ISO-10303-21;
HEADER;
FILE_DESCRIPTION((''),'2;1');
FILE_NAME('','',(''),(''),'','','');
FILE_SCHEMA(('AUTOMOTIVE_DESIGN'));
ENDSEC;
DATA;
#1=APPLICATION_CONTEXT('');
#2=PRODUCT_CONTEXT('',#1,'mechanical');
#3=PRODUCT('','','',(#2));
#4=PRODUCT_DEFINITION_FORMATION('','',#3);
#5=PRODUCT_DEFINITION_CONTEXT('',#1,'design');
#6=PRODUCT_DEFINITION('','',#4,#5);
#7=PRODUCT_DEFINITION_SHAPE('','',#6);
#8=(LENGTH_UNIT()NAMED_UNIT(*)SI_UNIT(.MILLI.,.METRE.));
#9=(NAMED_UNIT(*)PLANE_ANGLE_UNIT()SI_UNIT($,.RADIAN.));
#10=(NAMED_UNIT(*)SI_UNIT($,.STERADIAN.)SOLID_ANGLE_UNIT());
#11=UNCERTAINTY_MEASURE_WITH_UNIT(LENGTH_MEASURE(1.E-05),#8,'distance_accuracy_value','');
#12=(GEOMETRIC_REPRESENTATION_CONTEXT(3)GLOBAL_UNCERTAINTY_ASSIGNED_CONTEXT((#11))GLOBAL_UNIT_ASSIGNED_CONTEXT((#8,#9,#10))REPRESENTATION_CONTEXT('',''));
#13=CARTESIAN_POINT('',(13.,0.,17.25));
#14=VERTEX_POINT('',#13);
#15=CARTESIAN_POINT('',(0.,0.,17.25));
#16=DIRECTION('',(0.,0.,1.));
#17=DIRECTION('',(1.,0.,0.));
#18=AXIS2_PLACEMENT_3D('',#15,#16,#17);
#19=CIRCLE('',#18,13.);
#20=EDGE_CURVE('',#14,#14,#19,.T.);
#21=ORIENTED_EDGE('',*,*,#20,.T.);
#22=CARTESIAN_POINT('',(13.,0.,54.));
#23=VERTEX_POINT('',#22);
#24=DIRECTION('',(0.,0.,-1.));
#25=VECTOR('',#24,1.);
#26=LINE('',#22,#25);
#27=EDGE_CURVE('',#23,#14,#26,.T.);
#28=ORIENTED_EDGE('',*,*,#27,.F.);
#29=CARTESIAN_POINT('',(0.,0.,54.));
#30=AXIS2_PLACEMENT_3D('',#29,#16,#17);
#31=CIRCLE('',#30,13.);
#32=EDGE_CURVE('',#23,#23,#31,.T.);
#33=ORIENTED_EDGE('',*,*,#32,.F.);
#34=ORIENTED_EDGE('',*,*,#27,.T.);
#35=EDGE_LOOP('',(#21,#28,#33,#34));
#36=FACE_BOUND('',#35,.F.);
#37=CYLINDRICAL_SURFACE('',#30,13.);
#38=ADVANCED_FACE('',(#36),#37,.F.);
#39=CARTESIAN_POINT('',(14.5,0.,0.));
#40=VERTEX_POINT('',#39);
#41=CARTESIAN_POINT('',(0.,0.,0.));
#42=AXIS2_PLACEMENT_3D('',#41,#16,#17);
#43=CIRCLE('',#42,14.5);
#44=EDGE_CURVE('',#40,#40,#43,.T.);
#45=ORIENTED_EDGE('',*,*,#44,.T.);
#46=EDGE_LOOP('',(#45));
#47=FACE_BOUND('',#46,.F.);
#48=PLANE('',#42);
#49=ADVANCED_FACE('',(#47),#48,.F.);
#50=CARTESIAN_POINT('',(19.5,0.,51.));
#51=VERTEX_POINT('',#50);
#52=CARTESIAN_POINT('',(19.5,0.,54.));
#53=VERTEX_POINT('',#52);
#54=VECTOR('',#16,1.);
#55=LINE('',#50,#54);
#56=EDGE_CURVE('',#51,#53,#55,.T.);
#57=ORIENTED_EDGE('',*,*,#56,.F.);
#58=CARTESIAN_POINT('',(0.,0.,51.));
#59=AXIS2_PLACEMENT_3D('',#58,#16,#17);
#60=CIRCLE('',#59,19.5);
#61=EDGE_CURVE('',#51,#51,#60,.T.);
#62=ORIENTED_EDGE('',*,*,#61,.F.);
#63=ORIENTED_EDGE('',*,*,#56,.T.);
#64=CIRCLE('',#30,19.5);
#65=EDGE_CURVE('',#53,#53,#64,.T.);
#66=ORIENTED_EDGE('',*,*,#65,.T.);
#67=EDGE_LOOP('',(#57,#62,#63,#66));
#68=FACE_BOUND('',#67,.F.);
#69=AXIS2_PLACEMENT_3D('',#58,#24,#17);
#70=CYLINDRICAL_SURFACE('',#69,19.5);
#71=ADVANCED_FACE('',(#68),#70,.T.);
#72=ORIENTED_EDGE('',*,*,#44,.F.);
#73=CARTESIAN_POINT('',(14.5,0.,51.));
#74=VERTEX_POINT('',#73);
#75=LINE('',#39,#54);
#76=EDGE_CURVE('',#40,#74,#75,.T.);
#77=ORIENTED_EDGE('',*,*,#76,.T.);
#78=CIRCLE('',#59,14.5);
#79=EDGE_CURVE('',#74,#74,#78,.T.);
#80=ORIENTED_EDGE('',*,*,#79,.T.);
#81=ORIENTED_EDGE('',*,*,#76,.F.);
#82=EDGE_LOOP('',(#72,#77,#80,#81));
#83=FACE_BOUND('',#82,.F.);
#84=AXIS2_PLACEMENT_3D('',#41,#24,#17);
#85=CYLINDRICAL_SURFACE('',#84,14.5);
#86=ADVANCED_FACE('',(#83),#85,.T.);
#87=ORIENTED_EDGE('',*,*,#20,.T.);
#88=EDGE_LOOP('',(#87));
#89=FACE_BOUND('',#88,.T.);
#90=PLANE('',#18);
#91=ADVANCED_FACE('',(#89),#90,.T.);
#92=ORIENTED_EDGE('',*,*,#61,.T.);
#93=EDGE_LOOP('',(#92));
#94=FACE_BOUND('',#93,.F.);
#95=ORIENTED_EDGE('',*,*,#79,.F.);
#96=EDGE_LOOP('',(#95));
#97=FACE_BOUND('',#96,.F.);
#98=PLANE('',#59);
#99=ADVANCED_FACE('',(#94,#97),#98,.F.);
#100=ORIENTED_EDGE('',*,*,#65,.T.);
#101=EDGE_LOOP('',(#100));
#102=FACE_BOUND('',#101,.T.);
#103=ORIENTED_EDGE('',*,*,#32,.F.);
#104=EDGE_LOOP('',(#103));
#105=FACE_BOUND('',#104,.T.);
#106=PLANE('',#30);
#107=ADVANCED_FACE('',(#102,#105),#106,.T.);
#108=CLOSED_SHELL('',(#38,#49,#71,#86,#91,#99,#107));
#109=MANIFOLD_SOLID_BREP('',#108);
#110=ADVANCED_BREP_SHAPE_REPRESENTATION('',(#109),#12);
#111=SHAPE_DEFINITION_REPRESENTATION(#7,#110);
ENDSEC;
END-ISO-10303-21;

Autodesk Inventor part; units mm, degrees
ref_plane "YZ Plane" through (0, 0, 0) normal (1, 0, 0) x (0, 1, 0)
ref_plane "XZ Plane" through (0, 0, 0) normal (0, 1, 0) x (-1, 0, 0)
ref_plane "XY Plane" through (0, 0, 0) normal (0, 0, 1) x (1, 0, 0)
sketch "Sketch1" plane through (0, 0, 0) normal (0, 0, 1) x (1, 0, 0)
  circle A0 centre (0, 0) radius 14.5
  dimension "d0" = 29
extrude "Extrusion1" add sketch "Sketch1" along normal blind 51
sketch "Sketch2" plane through (0, 0, 51) normal (0, 0, 1) x (1, 0, 0)
  circle A0 centre (0, 0) radius 19.5
  circle A1 centre (0, 0) radius 14.5 projected
  dimension "d3" = 5
extrude "Extrusion2" add sketch "Sketch2" along normal blind 3 contours A0 | A1
sketch "Sketch4" plane through (0, 0, 54) normal (0, 0, 1) x (1, 0, 0)
  circle A0 centre (0, 0) radius 13
  dimension "d44" = 26
extrude "Extrusion3" cut sketch "Sketch4" against normal blind 36.75
equation "\"d0\" = r_usboutlet"
equation "\"wl_panel\" = 285"
equation "\"t_panel\" = 8"
equation "\"r_button\" = 8"
equation "\"l_stereo\" = 178"
equation "\"d_stereo\" = 177"
equation "\"w_label\" = 15"
equation "\"r_labelscrew\" = 2.5"
equation "\"ro_labelscrew\" = 5"
equation "\"l_buttontobutton\" = 25"
equation "\"r_usboutlet\" = 29"
equation "\"l_fastener_button\" = 19"
properties part number "usb_outlet" material "Thermoplastic Resin"
